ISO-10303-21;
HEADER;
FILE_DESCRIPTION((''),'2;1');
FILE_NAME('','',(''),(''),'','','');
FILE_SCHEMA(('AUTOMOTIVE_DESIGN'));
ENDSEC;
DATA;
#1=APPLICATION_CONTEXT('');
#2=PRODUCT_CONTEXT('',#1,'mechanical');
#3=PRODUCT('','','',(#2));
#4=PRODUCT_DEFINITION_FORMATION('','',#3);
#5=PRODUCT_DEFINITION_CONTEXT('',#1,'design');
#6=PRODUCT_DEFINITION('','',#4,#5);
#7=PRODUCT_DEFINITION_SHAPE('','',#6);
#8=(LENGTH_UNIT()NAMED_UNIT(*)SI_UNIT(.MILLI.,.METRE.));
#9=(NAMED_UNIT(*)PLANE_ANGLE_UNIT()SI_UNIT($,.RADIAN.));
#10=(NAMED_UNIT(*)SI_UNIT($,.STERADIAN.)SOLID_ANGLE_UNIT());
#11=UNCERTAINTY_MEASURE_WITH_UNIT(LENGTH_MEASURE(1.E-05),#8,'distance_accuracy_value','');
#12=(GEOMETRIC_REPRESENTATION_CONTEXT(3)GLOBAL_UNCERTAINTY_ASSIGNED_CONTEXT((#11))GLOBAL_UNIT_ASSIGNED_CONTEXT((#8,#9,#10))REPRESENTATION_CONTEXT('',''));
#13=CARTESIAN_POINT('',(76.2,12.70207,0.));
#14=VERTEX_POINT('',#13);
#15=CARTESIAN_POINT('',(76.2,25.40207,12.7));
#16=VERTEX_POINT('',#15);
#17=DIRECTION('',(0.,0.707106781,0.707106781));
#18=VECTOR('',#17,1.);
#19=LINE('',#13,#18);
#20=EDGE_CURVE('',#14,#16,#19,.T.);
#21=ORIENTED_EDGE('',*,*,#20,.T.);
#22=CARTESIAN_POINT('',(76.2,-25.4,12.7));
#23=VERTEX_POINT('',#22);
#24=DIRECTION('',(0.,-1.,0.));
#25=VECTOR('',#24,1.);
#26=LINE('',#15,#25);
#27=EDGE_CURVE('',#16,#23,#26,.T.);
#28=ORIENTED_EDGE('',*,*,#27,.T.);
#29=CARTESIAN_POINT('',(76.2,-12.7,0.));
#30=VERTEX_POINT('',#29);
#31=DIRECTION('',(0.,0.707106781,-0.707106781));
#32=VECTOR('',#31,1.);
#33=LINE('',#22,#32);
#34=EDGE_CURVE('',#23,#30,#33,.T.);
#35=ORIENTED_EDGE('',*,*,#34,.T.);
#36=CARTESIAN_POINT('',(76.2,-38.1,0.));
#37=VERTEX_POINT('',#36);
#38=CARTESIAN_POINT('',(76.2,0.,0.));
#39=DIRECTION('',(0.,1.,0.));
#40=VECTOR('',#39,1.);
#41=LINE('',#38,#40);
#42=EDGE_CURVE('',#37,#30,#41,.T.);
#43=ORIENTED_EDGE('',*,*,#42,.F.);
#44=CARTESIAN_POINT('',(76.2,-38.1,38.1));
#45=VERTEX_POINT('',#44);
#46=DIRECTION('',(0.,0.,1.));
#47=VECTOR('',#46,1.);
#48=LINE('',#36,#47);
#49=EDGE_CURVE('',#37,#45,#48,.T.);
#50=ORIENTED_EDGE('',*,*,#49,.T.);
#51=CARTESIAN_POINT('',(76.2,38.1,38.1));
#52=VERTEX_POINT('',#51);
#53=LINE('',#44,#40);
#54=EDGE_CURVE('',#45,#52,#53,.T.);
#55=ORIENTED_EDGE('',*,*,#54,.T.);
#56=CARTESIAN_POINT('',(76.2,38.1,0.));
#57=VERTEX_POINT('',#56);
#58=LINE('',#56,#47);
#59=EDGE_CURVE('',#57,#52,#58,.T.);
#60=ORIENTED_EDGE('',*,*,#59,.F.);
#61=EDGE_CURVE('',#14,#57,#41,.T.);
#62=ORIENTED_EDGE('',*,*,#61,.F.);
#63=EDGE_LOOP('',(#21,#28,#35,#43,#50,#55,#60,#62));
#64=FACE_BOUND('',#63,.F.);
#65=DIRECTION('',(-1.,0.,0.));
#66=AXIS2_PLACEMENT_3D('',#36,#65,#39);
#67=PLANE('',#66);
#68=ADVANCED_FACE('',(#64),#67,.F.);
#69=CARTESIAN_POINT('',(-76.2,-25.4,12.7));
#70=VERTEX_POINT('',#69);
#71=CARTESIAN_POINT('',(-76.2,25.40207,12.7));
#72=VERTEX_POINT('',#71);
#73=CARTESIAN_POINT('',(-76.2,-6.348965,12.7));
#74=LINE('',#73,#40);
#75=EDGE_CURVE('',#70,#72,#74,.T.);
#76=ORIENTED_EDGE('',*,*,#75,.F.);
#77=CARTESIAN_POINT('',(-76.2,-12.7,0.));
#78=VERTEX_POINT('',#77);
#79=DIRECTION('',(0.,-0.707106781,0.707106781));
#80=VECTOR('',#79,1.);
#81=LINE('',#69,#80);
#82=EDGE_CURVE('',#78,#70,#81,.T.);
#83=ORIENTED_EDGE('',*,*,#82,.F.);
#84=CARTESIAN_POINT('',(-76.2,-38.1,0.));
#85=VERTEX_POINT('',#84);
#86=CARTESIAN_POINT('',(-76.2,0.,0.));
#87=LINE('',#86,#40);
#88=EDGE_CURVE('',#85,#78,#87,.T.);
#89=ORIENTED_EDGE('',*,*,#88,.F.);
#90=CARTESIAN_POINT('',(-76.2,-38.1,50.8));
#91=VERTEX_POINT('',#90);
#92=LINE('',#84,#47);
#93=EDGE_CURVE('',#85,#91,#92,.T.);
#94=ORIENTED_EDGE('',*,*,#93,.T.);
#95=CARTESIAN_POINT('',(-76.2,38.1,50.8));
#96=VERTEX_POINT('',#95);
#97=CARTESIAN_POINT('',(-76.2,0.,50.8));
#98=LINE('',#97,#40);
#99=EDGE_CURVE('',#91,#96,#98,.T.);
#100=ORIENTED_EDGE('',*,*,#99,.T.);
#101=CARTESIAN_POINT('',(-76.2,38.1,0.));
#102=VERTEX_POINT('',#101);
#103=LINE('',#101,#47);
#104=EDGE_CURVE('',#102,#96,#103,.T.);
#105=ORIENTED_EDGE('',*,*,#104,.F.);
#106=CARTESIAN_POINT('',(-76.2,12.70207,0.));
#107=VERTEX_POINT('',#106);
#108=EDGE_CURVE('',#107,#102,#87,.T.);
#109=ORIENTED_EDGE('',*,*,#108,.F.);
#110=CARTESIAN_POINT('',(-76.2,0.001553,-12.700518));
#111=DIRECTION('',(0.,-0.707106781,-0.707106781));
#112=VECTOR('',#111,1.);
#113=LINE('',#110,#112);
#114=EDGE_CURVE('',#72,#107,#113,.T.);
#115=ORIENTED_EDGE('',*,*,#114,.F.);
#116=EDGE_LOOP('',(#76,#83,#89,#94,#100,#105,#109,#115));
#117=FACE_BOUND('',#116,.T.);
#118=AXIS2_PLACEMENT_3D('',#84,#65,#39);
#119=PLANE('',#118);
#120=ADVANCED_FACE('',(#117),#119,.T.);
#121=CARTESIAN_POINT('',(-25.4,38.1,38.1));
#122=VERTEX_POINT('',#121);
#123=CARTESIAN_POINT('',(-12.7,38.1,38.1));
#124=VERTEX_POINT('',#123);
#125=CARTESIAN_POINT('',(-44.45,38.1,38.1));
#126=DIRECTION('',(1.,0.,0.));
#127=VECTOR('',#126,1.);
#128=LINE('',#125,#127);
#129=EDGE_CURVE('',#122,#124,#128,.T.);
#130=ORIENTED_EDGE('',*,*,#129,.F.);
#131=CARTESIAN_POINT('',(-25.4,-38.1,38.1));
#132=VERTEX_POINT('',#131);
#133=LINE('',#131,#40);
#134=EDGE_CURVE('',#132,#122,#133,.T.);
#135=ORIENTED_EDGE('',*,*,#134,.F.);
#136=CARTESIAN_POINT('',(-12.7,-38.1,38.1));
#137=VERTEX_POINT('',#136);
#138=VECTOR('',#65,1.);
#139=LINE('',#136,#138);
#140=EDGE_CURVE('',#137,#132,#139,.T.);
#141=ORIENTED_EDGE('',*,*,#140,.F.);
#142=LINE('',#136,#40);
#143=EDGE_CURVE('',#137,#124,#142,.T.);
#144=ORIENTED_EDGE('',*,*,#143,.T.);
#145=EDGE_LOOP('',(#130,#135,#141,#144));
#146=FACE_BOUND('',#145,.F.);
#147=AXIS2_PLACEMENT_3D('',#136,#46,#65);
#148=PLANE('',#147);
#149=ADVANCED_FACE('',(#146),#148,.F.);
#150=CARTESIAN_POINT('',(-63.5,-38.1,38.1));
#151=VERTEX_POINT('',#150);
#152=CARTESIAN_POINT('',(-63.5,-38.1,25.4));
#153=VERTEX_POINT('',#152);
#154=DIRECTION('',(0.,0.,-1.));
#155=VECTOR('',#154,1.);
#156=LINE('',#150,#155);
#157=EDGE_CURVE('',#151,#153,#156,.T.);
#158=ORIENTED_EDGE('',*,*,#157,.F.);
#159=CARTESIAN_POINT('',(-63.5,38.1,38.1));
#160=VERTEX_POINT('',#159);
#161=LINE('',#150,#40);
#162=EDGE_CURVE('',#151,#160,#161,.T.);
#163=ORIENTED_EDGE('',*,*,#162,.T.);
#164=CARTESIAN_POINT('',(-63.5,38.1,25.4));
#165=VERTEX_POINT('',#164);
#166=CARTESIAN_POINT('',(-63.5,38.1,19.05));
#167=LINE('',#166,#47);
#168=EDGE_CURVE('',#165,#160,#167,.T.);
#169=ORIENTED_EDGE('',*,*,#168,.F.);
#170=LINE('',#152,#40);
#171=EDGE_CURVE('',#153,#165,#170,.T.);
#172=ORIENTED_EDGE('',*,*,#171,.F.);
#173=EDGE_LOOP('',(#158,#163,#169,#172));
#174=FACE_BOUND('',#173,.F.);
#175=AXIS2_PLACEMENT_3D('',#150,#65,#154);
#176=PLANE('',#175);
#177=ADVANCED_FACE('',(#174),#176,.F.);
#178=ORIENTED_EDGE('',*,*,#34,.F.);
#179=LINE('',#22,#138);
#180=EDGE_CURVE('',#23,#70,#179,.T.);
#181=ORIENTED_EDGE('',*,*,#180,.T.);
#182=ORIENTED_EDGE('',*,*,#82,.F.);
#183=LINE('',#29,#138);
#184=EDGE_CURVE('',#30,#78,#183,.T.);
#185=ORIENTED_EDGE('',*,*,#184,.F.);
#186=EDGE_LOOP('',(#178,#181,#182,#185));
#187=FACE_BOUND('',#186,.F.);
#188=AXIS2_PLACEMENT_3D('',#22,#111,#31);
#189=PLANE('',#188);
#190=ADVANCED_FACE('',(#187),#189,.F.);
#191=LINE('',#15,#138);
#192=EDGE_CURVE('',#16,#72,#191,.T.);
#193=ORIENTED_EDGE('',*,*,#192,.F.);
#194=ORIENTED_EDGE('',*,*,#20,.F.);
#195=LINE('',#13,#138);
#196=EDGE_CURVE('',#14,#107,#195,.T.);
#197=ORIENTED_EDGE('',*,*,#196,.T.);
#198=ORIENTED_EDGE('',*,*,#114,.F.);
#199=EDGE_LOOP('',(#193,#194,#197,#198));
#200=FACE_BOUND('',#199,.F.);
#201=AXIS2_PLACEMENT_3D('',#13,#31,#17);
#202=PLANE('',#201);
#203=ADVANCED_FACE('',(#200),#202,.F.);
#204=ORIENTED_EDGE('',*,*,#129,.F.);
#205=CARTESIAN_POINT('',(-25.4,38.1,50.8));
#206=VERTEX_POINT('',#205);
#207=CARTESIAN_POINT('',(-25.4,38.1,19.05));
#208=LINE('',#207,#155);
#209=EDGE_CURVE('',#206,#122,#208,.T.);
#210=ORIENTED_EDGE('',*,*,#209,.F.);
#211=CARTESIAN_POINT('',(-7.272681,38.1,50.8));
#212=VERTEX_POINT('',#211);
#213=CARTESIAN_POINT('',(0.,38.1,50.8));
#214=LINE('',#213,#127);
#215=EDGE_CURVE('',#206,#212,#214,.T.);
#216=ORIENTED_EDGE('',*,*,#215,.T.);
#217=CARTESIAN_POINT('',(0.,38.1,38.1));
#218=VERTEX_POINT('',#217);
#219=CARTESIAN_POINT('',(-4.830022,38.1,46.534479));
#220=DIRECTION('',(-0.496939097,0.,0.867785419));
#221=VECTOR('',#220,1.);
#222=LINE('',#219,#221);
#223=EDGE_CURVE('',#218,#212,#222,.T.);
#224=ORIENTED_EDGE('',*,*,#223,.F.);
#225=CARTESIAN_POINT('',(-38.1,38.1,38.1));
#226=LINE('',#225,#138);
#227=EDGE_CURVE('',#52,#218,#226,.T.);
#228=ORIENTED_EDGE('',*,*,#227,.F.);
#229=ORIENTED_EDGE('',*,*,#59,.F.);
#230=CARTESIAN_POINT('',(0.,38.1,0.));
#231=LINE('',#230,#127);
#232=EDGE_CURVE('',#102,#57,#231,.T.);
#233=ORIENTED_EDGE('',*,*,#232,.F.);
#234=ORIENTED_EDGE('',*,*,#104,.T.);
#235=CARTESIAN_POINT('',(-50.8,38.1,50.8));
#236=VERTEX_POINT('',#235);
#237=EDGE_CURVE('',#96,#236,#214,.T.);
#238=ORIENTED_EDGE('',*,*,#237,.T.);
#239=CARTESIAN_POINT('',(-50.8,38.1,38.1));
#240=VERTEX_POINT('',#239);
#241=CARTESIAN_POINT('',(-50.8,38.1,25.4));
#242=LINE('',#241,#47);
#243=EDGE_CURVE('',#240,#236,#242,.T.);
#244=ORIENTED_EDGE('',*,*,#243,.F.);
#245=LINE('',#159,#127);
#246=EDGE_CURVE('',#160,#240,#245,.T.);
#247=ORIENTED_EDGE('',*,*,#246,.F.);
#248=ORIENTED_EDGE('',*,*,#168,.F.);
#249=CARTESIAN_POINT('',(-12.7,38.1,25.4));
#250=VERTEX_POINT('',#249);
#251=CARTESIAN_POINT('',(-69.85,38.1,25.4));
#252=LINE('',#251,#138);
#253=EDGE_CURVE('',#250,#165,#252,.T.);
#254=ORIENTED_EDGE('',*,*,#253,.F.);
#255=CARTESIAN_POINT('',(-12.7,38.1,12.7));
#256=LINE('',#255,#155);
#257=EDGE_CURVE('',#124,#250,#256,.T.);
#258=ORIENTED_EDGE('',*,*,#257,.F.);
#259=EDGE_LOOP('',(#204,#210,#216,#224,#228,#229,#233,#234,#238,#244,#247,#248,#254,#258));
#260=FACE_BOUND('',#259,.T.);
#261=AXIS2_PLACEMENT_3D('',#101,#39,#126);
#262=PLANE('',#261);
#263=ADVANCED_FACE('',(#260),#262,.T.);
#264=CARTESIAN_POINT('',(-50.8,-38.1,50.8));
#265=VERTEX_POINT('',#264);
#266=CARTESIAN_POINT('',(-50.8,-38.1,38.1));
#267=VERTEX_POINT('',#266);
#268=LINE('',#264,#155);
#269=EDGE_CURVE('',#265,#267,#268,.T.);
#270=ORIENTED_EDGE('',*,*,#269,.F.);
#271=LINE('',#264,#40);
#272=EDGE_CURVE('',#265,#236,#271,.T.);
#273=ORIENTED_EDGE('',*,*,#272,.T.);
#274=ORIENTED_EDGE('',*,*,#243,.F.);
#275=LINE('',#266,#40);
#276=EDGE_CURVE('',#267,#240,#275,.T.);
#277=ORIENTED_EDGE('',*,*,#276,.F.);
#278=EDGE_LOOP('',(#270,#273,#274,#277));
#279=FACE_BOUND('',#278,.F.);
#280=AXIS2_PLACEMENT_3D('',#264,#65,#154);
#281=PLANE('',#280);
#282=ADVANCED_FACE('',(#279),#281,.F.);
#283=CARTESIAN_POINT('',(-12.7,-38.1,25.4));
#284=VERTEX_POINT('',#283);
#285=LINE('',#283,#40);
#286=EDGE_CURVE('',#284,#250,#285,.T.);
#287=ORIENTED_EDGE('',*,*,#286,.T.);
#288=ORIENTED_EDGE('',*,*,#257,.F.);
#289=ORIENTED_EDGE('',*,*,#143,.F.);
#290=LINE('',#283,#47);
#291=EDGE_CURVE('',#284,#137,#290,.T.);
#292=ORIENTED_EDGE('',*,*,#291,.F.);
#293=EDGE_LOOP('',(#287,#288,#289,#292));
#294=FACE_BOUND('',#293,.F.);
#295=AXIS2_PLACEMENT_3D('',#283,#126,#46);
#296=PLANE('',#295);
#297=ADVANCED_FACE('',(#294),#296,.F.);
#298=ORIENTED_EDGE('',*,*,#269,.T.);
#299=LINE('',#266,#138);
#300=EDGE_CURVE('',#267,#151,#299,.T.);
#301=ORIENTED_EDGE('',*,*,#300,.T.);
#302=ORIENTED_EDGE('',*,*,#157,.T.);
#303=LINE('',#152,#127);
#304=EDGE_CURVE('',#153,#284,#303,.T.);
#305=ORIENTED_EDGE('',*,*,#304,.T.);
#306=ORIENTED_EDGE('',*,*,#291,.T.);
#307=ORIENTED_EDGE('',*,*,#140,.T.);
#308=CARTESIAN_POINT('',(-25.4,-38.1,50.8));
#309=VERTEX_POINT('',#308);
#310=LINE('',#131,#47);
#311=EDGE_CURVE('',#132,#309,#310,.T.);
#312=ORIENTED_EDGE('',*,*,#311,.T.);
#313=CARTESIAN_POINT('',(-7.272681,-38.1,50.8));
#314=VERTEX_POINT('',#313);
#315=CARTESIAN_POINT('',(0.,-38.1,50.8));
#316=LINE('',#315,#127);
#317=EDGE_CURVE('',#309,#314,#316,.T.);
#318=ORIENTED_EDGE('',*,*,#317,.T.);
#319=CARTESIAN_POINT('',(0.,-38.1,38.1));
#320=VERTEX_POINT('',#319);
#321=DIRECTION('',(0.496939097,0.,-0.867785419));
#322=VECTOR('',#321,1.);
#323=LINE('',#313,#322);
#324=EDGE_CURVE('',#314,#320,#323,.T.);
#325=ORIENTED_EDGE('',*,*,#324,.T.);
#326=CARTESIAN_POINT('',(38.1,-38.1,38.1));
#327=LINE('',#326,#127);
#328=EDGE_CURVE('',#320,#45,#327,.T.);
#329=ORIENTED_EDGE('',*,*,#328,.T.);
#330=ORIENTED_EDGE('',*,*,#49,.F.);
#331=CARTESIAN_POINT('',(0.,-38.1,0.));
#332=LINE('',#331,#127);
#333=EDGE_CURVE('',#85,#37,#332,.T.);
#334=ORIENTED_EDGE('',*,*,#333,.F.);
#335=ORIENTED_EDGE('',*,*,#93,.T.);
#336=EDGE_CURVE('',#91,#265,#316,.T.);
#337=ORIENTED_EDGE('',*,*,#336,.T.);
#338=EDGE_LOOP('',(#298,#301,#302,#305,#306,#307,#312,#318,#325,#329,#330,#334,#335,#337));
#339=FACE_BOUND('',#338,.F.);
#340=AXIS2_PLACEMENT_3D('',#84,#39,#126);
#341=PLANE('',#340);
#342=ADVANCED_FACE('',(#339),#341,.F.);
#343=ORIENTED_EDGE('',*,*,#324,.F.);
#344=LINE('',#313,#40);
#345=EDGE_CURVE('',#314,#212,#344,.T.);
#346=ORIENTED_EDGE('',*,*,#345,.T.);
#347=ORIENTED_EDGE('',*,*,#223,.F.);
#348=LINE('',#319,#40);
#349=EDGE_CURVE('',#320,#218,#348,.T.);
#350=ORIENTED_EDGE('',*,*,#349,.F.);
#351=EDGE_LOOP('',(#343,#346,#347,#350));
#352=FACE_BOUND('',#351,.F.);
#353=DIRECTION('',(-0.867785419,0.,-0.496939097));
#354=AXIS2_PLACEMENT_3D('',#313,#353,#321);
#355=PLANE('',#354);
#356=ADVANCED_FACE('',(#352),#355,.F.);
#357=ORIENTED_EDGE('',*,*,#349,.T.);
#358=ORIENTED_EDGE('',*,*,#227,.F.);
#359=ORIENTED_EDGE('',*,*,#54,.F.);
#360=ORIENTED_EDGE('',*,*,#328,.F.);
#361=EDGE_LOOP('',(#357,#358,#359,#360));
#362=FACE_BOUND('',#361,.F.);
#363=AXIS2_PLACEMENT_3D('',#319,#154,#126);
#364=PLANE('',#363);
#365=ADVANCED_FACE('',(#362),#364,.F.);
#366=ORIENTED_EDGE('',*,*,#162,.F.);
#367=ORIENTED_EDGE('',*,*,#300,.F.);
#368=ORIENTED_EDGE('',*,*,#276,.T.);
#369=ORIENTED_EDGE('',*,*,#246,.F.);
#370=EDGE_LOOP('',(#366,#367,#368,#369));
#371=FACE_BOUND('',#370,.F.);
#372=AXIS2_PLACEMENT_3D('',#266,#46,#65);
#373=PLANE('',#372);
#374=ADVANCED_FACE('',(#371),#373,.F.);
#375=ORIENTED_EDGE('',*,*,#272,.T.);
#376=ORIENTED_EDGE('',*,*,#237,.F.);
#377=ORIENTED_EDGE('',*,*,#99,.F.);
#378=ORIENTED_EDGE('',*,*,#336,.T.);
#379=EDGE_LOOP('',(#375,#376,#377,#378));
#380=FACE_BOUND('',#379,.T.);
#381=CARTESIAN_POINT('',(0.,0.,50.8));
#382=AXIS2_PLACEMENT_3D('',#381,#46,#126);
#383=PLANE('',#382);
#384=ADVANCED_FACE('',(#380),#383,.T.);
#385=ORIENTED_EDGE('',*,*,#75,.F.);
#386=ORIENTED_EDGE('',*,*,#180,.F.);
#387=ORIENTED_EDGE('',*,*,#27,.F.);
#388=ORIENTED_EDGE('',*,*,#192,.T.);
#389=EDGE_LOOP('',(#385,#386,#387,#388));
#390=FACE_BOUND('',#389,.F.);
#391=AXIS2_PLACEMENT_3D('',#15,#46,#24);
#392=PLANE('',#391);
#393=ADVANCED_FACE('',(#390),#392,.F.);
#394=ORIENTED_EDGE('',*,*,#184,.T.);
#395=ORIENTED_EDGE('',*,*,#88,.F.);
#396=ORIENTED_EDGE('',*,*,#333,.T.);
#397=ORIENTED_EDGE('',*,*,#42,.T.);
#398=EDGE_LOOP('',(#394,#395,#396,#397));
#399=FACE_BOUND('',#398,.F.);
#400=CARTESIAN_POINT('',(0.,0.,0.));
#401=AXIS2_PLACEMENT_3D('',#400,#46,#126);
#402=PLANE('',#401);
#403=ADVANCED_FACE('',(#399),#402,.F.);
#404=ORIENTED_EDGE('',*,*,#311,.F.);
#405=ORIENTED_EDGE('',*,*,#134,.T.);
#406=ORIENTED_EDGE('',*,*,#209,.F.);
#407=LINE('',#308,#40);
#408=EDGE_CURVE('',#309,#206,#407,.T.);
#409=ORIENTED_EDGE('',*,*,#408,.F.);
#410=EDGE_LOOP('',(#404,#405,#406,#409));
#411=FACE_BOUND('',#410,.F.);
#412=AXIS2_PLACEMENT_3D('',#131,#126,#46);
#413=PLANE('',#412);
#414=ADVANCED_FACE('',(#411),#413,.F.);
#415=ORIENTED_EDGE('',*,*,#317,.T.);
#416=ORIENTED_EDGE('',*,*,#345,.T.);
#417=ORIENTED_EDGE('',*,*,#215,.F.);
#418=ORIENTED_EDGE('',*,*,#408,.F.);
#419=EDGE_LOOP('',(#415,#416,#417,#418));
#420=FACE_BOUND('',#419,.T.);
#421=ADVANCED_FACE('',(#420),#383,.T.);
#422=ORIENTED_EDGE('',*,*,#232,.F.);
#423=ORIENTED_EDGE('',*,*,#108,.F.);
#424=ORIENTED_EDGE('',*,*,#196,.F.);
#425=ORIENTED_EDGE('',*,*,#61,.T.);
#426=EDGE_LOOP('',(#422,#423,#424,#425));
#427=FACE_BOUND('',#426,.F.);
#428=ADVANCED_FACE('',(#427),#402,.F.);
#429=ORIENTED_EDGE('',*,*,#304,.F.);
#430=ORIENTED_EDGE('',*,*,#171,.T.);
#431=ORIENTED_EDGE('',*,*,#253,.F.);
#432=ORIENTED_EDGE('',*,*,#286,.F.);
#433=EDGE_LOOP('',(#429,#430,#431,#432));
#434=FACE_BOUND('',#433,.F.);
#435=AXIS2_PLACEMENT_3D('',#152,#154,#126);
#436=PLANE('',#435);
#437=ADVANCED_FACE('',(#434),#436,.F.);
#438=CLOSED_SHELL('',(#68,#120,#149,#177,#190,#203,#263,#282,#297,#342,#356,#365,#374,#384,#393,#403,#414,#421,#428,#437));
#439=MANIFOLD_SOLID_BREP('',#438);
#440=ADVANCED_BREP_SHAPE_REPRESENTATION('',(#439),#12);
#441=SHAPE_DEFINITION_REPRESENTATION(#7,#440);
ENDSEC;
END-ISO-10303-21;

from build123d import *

# Parameters (mm, degrees)
F0_W     = 152.4
F0_H     = 76.2
F1_DEPTH = 50.8
F3_DEPTH = 152.401
F5_DEPTH = 76.201
F6_W     = 76.2
F6_H     = 12.7
F7_DEPTH = 76.201


with BuildPart() as f1:
    # F0 (on Top) → F1 (new body)
    with BuildSketch(Plane.XY):
        Rectangle(F0_W, F0_H)
    extrude(amount=F1_DEPTH)

    # F2 (on face) → F3 (cut, through all)
    with BuildSketch(Plane.YZ.offset(76.2)):
        Polygon((25.40207, 12.7), (-25.4, 12.7), (-12.7, 0), (12.70207, 0), align=None)
    extrude(amount=-F3_DEPTH, mode=Mode.SUBTRACT)

    # F4 (on face) → F5 (cut, through all)
    with BuildSketch(Plane.XZ.offset(38.1)):
        Polygon((-25.4, 50.8), (-50.8, 50.8), (-50.8, 38.1), (-63.5, 38.1), (-63.5, 25.4), (-12.7, 25.4), (-12.7, 38.1), (-25.4, 38.1), align=None)
    extrude(amount=-F5_DEPTH, mode=Mode.SUBTRACT)

    # F6 (on face) → F7 (cut, through all)
    with BuildSketch(Plane.XZ.offset(38.1)):
        with Locations((38.1, 44.45)):
            Rectangle(F6_W, F6_H)
        Polygon((0, 38.1), (0, 50.8), (-7.272681, 50.8), align=None)
    extrude(amount=-F7_DEPTH, mode=Mode.SUBTRACT)


solid = f1.part
